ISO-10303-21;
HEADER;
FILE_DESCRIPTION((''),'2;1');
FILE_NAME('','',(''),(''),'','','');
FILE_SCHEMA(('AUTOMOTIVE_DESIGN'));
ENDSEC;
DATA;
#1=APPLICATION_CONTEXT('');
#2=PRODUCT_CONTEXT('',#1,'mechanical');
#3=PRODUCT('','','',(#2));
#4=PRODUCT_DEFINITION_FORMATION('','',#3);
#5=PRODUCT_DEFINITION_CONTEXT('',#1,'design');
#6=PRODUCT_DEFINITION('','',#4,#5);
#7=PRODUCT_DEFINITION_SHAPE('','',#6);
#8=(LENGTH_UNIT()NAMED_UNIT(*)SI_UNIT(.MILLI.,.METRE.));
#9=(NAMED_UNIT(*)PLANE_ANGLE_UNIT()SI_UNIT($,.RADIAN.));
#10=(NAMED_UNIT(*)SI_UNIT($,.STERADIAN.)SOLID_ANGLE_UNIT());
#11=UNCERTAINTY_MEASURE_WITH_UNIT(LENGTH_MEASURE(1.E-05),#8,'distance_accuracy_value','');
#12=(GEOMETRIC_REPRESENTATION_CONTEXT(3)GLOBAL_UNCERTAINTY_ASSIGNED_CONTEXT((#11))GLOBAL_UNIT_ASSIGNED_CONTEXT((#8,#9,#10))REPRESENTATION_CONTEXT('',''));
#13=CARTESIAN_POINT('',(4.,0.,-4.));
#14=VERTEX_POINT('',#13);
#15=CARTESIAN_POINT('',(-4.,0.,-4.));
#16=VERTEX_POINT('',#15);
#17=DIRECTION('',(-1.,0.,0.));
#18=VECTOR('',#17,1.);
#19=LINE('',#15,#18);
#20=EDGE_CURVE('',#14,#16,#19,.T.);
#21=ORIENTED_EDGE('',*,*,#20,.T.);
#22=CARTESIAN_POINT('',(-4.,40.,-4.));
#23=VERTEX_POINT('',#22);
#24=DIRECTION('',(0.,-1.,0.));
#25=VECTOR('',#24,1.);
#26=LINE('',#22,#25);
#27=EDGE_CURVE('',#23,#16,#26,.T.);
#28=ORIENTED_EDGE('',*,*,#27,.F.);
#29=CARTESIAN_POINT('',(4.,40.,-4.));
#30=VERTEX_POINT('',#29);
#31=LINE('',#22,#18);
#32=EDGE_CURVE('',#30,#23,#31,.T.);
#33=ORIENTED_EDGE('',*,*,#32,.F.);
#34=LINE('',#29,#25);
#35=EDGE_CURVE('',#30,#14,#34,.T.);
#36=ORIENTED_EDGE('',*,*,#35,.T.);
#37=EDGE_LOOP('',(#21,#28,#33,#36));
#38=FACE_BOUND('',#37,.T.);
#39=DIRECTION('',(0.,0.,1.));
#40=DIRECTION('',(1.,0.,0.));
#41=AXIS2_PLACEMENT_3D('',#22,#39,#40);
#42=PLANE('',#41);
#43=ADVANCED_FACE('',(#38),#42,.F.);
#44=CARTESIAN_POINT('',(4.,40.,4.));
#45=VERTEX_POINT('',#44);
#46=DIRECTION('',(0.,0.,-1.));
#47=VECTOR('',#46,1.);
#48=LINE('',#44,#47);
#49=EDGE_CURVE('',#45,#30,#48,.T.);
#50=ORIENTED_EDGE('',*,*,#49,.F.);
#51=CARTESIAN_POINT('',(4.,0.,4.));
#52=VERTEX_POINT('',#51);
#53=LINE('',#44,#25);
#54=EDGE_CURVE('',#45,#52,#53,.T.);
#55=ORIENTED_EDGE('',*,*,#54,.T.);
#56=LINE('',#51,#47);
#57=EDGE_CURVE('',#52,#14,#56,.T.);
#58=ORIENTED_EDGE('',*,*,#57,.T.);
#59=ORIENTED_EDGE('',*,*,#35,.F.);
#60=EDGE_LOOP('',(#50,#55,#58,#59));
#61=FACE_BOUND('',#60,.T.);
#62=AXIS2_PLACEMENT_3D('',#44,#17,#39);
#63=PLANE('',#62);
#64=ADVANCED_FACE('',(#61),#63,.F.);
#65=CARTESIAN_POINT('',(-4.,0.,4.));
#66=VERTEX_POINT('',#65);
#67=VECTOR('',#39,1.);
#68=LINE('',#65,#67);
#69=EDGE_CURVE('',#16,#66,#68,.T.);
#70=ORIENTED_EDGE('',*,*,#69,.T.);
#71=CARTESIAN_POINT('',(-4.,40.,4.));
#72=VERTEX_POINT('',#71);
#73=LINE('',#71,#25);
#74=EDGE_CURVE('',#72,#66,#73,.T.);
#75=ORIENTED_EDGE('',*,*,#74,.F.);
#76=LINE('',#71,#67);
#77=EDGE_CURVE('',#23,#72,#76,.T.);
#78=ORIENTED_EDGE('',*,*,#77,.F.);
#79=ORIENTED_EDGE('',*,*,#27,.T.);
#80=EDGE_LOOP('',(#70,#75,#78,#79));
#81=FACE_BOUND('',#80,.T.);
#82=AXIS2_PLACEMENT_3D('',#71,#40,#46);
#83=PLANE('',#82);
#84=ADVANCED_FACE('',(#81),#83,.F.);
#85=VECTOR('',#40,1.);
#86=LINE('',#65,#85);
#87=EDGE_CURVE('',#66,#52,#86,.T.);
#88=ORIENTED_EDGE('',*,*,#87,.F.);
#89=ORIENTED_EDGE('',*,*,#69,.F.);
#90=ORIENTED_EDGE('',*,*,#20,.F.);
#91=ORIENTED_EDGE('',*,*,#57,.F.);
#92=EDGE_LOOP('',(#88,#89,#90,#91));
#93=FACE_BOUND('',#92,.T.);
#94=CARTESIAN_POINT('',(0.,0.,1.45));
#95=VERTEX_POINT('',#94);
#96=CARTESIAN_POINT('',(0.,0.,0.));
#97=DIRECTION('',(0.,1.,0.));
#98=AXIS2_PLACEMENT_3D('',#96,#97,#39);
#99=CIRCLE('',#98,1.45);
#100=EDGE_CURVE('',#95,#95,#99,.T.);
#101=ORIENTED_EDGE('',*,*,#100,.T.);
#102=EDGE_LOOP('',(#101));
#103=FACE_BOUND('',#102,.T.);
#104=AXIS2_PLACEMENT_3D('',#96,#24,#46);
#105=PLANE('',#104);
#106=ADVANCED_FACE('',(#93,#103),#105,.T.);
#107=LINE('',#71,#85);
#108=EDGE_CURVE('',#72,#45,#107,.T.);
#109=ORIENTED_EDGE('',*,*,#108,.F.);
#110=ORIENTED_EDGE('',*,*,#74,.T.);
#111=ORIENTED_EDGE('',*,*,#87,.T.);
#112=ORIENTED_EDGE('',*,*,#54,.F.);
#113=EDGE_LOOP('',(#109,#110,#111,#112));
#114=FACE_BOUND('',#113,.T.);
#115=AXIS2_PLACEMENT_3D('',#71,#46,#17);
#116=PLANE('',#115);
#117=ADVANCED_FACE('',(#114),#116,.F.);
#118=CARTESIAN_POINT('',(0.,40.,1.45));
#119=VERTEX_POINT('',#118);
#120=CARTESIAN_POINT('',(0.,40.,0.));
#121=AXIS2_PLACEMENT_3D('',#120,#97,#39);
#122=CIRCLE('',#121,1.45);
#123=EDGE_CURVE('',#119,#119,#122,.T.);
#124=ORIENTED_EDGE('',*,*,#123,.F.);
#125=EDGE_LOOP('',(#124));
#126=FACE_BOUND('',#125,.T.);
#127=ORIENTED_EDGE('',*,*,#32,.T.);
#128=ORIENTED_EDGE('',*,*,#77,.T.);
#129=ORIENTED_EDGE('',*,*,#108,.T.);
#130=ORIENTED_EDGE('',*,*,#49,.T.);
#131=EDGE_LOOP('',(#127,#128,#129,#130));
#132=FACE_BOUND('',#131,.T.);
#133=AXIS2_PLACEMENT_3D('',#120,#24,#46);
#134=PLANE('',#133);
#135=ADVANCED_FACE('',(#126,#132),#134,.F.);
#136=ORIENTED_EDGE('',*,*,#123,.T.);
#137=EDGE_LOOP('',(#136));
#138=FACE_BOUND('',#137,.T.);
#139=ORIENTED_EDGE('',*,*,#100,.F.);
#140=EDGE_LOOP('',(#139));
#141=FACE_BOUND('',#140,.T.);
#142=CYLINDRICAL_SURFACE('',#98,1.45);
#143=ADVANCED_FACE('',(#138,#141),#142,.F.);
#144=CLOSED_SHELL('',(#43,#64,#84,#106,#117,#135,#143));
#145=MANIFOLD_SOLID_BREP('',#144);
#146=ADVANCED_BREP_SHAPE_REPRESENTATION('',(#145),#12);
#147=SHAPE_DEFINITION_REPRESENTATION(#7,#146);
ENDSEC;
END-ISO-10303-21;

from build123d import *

# Parameters (mm, degrees)
SKETCH1_W           = 8
SKETCH1_H           = 8
BOSS_EXTRUDE1_DEPTH = 40
SKETCH2_R           = 1.45
CUT_EXTRUDE1_DEPTH  = 41


with BuildPart() as part:
    # Sketch1 → Boss-Extrude1 (new body)
    with BuildSketch(Plane(origin=(0, 0, 0), x_dir=(1, 0, 0), z_dir=(0, 1, 0))):
        Rectangle(SKETCH1_W, SKETCH1_H)
    extrude(amount=BOSS_EXTRUDE1_DEPTH)

    # Sketch2 → Cut-Extrude1 (cut, through all)
    with BuildSketch(Plane(origin=(0, 40, 0), x_dir=(1, 0, 0), z_dir=(0, 1, 0))):
        Circle(SKETCH2_R)
    extrude(amount=-CUT_EXTRUDE1_DEPTH, mode=Mode.SUBTRACT)


solid = part.part
